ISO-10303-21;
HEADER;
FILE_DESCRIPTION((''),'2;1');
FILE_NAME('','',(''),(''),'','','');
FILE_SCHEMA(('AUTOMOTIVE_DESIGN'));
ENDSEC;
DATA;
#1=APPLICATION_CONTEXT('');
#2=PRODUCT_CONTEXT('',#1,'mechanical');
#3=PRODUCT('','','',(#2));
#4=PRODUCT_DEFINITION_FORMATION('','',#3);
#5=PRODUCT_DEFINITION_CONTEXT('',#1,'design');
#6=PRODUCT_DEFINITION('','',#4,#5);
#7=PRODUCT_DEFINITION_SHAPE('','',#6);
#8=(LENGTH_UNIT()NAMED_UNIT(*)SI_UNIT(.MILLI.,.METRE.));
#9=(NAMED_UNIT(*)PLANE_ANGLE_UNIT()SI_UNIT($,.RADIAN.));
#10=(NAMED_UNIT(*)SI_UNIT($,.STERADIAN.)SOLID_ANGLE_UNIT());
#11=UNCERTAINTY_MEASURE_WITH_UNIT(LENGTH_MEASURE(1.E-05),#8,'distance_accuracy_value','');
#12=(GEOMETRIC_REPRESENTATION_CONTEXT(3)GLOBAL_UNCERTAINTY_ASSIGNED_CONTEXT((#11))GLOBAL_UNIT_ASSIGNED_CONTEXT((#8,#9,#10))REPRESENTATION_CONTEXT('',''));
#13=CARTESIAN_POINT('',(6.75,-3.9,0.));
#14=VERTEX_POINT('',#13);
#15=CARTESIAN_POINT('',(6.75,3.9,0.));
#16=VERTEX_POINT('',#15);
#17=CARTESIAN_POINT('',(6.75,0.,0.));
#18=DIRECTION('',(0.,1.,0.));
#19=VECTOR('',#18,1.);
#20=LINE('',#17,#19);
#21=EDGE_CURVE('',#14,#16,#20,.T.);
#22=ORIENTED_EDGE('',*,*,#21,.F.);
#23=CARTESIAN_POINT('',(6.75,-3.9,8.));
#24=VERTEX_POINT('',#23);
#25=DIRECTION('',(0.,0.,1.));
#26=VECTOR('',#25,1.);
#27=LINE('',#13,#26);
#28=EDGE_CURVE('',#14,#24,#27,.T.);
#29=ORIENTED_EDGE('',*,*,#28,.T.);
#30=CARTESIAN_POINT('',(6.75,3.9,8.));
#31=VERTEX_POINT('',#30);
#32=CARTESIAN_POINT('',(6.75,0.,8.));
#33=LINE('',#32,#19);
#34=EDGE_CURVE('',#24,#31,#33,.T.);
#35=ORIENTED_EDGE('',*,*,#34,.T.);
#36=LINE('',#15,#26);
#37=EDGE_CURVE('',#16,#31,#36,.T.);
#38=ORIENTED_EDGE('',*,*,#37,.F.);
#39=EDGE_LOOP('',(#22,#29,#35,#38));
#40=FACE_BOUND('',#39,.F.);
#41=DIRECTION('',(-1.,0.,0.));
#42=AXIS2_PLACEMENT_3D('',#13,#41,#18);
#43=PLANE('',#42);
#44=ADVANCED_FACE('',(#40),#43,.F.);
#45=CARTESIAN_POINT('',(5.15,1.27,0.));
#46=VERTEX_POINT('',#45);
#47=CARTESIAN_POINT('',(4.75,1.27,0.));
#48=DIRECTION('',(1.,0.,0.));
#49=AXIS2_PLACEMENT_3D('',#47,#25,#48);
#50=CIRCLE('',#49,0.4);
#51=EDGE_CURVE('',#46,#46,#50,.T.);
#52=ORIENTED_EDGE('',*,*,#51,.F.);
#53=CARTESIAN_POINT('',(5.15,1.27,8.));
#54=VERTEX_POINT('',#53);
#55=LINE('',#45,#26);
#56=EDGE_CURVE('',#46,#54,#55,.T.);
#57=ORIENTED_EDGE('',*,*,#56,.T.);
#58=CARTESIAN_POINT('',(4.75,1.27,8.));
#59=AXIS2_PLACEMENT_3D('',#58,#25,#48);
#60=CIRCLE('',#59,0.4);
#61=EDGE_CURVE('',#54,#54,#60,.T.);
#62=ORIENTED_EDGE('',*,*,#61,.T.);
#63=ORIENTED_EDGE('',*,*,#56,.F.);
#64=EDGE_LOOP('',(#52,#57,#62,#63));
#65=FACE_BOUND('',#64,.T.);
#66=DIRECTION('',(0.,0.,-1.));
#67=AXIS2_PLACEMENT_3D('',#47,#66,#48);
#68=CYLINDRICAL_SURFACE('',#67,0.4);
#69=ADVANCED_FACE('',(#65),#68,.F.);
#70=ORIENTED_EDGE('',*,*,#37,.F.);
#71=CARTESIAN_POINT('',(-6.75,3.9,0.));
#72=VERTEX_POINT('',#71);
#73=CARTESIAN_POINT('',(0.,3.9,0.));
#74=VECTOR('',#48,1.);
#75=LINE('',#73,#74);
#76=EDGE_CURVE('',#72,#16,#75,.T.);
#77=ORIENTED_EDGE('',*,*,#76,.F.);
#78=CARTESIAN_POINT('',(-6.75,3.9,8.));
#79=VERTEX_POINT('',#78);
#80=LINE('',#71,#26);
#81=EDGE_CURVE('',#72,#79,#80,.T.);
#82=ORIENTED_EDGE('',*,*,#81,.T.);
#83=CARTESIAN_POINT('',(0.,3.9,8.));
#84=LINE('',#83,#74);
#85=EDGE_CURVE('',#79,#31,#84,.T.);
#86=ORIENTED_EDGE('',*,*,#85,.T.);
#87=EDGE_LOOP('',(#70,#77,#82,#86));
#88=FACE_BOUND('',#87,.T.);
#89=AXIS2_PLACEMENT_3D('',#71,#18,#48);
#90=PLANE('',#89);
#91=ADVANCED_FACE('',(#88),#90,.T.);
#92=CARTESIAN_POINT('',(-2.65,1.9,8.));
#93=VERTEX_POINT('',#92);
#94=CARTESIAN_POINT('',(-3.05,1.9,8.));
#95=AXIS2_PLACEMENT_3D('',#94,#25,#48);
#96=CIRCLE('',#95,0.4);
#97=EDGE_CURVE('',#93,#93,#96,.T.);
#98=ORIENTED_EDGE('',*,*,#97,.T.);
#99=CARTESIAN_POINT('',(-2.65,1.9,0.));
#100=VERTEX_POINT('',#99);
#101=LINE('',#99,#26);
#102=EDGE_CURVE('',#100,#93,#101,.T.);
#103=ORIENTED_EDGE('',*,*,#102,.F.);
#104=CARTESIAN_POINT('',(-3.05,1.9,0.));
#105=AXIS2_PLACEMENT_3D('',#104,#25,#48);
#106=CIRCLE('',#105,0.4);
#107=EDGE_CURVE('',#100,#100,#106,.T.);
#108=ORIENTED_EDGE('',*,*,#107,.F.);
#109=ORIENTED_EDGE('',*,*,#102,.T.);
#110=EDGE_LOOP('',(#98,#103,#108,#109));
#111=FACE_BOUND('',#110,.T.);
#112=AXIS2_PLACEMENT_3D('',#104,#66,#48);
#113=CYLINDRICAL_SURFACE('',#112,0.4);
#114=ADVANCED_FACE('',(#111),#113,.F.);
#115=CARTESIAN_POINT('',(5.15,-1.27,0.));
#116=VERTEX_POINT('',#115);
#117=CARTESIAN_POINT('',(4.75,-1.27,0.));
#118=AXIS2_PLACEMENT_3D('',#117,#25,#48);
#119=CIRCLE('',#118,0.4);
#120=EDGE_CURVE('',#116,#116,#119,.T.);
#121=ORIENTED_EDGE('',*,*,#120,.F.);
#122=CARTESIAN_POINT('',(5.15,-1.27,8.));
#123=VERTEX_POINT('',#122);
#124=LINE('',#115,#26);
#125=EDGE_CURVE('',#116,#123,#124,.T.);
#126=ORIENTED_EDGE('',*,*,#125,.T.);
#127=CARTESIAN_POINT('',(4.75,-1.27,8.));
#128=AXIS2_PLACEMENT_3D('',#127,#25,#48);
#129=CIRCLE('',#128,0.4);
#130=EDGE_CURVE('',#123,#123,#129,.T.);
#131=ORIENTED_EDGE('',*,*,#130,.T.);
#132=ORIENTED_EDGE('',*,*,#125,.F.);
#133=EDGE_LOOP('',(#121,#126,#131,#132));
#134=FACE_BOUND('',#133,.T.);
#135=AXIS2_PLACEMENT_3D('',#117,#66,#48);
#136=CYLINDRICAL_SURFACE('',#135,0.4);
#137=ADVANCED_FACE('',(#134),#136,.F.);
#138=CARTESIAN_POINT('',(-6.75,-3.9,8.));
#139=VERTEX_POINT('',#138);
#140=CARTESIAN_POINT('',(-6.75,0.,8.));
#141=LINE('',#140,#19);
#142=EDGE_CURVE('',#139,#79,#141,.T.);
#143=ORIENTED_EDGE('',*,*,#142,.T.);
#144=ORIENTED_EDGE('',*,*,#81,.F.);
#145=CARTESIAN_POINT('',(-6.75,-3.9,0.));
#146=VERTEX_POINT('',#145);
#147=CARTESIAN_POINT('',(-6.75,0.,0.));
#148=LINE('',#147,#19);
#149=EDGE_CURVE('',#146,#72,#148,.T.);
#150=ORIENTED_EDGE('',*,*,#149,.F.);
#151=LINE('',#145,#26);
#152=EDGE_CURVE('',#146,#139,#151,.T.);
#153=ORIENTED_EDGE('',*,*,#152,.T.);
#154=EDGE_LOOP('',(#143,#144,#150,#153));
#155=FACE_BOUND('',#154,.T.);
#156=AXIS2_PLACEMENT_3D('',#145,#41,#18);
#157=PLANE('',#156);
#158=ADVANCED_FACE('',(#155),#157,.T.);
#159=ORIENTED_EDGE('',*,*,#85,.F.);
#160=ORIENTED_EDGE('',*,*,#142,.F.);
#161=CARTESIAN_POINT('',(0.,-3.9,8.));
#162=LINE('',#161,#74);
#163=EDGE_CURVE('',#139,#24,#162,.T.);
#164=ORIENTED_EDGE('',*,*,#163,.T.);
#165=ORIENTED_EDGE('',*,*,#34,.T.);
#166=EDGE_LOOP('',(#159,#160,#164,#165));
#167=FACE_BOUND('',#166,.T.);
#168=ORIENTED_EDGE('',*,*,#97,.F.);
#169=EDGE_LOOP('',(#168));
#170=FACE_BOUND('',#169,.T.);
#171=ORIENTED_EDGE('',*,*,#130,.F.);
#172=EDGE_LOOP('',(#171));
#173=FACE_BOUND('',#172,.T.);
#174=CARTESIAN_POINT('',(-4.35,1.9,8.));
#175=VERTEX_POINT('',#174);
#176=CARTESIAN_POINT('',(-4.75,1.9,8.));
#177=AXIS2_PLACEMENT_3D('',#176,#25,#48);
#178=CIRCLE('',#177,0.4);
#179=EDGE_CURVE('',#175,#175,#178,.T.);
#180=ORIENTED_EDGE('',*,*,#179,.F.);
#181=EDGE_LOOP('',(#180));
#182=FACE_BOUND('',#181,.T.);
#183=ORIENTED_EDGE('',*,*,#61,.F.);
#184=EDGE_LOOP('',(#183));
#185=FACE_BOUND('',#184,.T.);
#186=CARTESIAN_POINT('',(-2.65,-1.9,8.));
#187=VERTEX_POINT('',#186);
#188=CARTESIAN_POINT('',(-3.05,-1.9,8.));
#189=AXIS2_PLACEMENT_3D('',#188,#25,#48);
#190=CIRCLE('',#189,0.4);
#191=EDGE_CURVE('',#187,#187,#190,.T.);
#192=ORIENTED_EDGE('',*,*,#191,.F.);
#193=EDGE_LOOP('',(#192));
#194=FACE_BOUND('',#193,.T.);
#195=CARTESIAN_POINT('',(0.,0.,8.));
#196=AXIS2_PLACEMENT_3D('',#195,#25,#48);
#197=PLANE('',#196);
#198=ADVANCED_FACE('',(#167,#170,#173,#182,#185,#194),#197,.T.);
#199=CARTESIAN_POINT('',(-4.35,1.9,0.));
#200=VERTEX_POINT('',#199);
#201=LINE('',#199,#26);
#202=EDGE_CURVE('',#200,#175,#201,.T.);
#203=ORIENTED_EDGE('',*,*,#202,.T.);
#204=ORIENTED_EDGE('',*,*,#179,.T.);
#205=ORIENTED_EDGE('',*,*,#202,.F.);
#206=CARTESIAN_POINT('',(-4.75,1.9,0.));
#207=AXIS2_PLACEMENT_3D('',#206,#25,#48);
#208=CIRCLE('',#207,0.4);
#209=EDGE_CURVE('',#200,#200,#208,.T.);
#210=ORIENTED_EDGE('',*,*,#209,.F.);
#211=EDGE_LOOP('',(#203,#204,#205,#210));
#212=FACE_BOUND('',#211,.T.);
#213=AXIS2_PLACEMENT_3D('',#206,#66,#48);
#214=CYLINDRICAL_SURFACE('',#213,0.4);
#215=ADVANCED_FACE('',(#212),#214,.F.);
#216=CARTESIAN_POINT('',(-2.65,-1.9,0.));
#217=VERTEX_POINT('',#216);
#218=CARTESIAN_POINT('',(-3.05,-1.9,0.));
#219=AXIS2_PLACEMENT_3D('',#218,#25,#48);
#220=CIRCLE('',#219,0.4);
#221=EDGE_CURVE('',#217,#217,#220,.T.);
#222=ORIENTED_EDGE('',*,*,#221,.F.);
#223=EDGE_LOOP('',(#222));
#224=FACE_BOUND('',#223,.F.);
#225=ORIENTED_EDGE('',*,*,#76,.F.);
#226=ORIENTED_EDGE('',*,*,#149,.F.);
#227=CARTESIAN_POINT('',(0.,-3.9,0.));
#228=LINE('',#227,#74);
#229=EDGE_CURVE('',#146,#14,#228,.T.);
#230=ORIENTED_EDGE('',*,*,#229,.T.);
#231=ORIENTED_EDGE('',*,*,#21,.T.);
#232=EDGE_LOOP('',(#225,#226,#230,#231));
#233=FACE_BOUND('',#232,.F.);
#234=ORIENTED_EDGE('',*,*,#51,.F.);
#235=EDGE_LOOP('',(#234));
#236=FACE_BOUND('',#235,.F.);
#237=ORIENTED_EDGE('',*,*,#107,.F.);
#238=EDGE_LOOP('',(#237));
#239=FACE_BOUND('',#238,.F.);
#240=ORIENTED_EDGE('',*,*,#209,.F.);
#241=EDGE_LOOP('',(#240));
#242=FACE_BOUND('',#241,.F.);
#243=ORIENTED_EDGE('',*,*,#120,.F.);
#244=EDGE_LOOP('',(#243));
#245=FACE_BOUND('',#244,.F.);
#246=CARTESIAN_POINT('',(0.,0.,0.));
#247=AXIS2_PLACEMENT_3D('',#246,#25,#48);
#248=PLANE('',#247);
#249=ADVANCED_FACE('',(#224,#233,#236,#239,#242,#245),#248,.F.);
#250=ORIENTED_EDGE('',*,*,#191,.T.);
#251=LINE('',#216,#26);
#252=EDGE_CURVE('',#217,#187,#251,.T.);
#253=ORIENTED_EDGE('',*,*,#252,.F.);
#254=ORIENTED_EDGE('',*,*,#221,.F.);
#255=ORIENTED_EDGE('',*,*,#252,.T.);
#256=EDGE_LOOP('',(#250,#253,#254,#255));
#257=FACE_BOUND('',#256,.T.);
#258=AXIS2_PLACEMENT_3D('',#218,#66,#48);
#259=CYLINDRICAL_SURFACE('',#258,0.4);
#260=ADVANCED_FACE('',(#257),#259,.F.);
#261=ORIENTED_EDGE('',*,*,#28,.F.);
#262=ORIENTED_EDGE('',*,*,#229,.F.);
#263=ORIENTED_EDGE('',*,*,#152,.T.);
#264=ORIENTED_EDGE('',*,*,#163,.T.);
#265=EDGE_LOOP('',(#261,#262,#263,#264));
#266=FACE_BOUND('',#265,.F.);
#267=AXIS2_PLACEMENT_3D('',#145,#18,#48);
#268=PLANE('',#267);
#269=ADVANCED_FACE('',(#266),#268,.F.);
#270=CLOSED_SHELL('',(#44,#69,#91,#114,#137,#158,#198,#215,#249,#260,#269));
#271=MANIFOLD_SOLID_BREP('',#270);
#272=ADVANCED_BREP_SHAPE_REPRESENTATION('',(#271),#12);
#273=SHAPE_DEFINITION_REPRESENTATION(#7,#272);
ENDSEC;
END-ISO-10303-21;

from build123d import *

# Parameters (mm, degrees)
F0_W     = 13.5
F0_H     = 7.8
F0_R     = 0.4
F1_DEPTH = 8


with BuildPart() as f1:
    # F0 (on Top) → F1 (new body)
    with BuildSketch(Plane.XY):
        Rectangle(F0_W, F0_H)
        with Locations((-3.05, -1.9)):
            Circle(F0_R, mode=Mode.SUBTRACT)
        with Locations((4.75, -1.27)):
            Circle(F0_R, mode=Mode.SUBTRACT)
        with Locations((-4.75, 1.9)):
            Circle(F0_R, mode=Mode.SUBTRACT)
        with Locations((-3.05, 1.9)):
            Circle(F0_R, mode=Mode.SUBTRACT)
        with Locations((4.75, 1.27)):
            Circle(F0_R, mode=Mode.SUBTRACT)
    extrude(amount=F1_DEPTH)


solid = f1.part
